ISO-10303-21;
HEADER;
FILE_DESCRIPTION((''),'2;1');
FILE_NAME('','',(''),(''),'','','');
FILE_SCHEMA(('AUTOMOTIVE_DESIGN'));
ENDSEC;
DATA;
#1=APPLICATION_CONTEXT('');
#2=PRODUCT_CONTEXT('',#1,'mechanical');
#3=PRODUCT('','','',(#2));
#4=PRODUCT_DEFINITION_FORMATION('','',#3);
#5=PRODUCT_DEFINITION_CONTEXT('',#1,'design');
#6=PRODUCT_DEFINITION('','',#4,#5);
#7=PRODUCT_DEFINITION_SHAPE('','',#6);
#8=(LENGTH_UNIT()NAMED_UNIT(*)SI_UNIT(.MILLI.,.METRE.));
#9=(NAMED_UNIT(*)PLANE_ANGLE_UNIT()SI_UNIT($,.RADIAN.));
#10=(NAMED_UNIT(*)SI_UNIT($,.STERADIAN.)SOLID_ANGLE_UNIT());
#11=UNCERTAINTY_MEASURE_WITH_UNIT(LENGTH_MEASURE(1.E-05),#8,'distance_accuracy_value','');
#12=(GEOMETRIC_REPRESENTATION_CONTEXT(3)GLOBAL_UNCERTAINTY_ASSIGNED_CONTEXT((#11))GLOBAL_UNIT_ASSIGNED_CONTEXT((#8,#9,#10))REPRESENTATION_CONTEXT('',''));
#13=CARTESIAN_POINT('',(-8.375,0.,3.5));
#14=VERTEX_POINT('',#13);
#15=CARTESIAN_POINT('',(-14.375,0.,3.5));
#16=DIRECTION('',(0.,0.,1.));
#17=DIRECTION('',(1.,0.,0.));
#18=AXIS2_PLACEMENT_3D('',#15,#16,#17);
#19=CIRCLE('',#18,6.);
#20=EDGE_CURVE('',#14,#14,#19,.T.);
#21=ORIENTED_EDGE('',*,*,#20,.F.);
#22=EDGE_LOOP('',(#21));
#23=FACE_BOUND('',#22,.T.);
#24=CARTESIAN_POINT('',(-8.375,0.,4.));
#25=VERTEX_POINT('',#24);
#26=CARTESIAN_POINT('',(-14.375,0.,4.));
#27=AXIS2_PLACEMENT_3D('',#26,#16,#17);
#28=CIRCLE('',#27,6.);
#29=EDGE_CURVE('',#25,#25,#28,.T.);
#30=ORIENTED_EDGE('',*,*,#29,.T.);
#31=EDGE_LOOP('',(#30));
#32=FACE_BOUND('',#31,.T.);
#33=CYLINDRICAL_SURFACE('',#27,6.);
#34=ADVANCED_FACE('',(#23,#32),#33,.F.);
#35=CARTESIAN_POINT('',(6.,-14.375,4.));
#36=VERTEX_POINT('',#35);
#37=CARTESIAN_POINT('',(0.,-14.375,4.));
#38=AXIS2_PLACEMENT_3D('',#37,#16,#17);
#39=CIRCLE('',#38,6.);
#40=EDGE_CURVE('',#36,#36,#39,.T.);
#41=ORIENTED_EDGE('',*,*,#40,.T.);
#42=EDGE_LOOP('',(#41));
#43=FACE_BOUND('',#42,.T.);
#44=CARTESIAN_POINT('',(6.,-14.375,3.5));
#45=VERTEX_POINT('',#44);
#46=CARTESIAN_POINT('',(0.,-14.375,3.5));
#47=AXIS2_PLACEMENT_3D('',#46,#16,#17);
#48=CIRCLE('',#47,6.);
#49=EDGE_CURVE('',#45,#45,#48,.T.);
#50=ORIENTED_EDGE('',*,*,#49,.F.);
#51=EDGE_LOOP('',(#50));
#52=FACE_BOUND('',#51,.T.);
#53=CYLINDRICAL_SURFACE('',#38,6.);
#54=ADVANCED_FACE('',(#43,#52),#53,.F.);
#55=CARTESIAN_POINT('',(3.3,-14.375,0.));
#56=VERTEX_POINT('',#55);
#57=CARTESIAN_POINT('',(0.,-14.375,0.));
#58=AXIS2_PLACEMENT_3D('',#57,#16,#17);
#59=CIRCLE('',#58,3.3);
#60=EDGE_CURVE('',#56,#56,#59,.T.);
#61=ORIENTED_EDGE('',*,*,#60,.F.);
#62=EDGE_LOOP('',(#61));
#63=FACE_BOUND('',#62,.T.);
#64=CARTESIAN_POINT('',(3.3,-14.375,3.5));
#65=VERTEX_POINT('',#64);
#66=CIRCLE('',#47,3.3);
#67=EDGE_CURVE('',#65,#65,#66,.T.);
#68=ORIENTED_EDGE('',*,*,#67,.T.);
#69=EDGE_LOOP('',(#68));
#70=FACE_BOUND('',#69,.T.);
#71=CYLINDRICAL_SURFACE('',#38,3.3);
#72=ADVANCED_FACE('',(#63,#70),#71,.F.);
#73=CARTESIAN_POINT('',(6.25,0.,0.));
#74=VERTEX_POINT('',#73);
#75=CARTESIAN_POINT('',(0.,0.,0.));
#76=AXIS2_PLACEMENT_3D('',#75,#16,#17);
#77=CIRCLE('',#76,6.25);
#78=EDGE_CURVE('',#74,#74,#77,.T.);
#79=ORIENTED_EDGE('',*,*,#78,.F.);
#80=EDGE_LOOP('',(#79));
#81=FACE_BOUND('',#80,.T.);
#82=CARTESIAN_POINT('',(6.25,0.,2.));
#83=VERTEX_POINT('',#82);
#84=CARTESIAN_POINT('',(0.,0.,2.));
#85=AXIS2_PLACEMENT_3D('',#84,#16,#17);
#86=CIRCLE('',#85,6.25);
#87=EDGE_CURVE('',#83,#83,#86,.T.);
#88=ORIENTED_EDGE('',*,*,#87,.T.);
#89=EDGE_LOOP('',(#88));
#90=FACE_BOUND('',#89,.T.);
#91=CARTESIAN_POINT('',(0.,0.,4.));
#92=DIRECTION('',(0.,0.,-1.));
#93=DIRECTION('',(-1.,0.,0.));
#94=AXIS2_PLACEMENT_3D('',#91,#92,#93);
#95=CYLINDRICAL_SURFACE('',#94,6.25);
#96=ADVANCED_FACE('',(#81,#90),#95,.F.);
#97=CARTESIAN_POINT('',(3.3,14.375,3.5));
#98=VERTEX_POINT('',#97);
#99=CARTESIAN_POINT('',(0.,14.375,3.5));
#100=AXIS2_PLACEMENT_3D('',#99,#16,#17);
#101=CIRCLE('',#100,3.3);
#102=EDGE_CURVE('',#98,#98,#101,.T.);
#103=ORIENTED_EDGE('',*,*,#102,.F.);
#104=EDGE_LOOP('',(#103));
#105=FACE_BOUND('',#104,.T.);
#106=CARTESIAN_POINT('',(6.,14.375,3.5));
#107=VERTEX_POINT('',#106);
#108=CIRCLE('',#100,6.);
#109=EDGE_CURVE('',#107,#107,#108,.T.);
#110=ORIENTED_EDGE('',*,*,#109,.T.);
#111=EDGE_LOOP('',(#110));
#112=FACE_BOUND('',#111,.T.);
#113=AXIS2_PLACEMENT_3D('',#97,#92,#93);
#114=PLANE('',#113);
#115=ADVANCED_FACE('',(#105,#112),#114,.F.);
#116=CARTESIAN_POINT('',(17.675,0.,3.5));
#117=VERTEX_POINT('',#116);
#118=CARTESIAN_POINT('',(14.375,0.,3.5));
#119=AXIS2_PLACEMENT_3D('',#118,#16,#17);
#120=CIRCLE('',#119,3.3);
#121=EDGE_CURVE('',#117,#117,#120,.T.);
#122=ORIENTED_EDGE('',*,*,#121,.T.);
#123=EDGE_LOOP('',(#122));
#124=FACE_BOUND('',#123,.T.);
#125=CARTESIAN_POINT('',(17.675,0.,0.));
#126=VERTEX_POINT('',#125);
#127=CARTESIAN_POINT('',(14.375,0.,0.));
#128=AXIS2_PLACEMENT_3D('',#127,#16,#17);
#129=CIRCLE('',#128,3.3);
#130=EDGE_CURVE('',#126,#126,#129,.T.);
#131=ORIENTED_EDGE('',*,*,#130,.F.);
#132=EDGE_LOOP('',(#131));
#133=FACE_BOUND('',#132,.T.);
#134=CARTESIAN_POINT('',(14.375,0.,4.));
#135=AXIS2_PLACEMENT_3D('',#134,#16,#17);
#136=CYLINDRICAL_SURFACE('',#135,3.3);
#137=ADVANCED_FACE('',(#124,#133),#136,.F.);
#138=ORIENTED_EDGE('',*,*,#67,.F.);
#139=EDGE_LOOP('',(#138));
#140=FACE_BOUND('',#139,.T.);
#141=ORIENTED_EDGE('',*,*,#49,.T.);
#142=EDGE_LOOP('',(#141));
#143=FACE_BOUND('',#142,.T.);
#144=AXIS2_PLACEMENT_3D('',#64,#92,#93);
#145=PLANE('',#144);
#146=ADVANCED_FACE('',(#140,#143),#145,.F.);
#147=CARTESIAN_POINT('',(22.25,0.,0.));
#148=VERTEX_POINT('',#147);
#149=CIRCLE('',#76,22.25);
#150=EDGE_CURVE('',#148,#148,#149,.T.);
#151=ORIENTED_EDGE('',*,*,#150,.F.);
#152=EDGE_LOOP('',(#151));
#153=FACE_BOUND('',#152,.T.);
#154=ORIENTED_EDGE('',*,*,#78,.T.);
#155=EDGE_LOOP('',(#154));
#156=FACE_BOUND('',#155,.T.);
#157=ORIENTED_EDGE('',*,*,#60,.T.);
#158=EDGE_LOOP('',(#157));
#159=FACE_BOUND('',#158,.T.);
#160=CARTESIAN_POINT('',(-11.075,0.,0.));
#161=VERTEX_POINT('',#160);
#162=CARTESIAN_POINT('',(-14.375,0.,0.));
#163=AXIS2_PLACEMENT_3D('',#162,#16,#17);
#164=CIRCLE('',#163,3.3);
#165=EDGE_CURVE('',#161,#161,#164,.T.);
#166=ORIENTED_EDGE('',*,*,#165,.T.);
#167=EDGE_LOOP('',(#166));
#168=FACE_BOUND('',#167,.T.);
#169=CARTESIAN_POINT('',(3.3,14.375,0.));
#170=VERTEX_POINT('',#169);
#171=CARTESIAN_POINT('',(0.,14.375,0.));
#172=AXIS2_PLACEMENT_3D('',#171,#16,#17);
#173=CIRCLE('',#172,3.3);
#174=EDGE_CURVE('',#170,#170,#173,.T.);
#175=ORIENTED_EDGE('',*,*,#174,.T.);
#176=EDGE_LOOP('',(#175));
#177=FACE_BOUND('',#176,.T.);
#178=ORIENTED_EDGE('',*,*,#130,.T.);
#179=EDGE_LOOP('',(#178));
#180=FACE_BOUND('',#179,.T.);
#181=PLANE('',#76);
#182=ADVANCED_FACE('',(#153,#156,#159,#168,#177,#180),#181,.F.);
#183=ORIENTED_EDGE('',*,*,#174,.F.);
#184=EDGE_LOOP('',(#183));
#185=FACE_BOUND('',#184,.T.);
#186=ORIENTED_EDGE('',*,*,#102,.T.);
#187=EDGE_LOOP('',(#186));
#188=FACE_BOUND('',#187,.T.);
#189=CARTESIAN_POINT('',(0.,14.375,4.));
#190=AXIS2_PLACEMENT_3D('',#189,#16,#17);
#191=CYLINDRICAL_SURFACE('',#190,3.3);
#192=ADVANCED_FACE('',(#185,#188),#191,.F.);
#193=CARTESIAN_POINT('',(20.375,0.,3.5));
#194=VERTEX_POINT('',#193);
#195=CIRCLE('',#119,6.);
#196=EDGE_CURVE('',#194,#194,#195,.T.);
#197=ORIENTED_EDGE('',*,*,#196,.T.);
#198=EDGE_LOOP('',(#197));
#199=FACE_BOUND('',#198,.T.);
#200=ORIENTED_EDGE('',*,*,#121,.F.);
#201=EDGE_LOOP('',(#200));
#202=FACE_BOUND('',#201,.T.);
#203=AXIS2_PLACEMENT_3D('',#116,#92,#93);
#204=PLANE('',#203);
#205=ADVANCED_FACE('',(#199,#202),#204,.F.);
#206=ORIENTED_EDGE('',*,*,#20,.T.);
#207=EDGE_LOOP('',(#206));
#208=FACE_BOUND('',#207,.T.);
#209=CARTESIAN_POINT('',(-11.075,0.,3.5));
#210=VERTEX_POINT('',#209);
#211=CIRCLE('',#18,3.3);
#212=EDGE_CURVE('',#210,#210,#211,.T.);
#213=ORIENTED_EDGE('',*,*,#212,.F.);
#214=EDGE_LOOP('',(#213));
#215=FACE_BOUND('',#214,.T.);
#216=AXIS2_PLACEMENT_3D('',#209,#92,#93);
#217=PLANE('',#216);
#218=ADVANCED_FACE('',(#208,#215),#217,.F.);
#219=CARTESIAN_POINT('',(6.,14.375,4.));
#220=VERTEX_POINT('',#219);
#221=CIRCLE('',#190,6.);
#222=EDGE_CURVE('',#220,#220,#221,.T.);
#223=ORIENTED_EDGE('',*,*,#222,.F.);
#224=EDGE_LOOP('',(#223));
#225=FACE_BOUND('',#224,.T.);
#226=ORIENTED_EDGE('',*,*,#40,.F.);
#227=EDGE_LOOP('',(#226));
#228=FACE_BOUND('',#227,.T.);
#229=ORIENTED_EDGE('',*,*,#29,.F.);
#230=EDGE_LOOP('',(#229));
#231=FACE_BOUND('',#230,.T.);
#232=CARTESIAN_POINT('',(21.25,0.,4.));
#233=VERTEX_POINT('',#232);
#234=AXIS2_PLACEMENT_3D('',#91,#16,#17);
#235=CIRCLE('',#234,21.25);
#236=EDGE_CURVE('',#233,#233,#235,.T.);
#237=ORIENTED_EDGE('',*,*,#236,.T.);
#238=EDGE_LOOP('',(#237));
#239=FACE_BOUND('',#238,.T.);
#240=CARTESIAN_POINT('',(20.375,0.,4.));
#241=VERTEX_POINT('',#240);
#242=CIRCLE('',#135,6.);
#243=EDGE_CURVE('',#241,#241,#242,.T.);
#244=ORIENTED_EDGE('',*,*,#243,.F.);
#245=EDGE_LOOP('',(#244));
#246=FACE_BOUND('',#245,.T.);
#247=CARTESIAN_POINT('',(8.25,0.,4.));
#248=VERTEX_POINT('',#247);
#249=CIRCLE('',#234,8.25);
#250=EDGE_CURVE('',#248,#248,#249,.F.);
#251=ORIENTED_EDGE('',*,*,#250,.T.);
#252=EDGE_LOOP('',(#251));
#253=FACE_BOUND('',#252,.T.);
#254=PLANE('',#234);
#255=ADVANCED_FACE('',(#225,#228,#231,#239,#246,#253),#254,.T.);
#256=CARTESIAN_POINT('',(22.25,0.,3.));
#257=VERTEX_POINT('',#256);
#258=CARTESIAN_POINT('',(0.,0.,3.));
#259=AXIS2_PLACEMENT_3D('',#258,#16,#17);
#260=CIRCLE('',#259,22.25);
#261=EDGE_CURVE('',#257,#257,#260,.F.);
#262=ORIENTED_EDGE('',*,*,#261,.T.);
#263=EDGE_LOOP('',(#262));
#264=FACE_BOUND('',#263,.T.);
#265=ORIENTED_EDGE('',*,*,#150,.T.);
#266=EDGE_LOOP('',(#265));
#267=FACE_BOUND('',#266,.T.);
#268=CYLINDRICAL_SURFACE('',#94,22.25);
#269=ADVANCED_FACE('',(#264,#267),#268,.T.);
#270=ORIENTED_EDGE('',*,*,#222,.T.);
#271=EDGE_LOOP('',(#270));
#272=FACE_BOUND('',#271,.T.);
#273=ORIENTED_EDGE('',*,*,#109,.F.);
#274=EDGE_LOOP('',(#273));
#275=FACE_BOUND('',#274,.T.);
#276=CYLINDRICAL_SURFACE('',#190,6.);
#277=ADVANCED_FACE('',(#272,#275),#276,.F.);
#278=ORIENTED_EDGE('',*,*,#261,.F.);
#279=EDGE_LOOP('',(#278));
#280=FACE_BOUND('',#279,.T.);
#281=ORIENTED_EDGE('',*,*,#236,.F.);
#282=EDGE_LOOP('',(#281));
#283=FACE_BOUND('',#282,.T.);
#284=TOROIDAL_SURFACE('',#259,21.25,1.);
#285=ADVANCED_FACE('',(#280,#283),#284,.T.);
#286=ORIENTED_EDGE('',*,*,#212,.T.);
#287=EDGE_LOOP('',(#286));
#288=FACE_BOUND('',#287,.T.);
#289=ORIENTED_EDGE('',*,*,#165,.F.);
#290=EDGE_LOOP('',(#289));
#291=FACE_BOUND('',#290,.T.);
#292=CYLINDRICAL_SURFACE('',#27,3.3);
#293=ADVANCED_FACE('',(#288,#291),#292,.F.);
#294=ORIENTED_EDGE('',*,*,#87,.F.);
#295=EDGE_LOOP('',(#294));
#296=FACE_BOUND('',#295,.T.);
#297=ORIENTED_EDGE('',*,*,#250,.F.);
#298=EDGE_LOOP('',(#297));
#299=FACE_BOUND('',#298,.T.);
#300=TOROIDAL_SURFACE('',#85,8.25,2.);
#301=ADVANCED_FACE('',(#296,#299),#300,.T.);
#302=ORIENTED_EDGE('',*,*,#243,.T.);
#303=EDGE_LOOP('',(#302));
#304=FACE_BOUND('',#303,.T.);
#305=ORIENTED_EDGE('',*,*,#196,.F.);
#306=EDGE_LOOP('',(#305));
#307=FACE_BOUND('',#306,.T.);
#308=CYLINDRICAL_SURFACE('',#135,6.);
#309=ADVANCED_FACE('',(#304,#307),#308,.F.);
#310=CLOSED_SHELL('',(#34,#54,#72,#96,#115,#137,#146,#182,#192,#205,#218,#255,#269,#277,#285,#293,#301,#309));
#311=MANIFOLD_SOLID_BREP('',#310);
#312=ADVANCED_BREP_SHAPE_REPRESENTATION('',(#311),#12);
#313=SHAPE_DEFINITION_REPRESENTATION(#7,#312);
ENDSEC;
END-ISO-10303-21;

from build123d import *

# Parameters (mm, degrees)
SKETCH_1_R                   = 22.25
SKETCH_1_R_2                 = 6.25
EXTRUDE_1_DEPTH              = 4
HOLE_WIZARD_M6_1_D           = 6.6
HOLE_WIZARD_M6_1_CBORE_D     = 12
HOLE_WIZARD_M6_1_CBORE_DEPTH = 0.5
FILLET_1_R                   = 1
FILLET_2_R                   = 2


with BuildPart() as part:
    # 草图1 → 凸台-拉伸1 (new body)
    with BuildSketch(Plane.XY):
        Circle(SKETCH_1_R)
        Circle(SKETCH_1_R_2, mode=Mode.SUBTRACT)
    extrude(amount=EXTRUDE_1_DEPTH)

    # M6 六角头螺栓的柱形沉头孔1 (through all)
    with Locations(Plane.XY.offset(4)):
        with Locations((-14.375, 0), (0, 14.375), (14.375, 0), (0, -14.375)):
            CounterBoreHole(HOLE_WIZARD_M6_1_D / 2, HOLE_WIZARD_M6_1_CBORE_D / 2, HOLE_WIZARD_M6_1_CBORE_DEPTH)

    # 圆角1
    fillet_1_edges = [part.edges().sort_by_distance(p)[0] for p in [
        (-22.25, 0, 4),
    ]]
    fillet(fillet_1_edges, radius=FILLET_1_R)

    # 圆角2
    fillet_2_edges = [part.edges().sort_by_distance(p)[0] for p in [
        (-6.25, 0, 4),
    ]]
    fillet(fillet_2_edges, radius=FILLET_2_R)


solid = part.part
